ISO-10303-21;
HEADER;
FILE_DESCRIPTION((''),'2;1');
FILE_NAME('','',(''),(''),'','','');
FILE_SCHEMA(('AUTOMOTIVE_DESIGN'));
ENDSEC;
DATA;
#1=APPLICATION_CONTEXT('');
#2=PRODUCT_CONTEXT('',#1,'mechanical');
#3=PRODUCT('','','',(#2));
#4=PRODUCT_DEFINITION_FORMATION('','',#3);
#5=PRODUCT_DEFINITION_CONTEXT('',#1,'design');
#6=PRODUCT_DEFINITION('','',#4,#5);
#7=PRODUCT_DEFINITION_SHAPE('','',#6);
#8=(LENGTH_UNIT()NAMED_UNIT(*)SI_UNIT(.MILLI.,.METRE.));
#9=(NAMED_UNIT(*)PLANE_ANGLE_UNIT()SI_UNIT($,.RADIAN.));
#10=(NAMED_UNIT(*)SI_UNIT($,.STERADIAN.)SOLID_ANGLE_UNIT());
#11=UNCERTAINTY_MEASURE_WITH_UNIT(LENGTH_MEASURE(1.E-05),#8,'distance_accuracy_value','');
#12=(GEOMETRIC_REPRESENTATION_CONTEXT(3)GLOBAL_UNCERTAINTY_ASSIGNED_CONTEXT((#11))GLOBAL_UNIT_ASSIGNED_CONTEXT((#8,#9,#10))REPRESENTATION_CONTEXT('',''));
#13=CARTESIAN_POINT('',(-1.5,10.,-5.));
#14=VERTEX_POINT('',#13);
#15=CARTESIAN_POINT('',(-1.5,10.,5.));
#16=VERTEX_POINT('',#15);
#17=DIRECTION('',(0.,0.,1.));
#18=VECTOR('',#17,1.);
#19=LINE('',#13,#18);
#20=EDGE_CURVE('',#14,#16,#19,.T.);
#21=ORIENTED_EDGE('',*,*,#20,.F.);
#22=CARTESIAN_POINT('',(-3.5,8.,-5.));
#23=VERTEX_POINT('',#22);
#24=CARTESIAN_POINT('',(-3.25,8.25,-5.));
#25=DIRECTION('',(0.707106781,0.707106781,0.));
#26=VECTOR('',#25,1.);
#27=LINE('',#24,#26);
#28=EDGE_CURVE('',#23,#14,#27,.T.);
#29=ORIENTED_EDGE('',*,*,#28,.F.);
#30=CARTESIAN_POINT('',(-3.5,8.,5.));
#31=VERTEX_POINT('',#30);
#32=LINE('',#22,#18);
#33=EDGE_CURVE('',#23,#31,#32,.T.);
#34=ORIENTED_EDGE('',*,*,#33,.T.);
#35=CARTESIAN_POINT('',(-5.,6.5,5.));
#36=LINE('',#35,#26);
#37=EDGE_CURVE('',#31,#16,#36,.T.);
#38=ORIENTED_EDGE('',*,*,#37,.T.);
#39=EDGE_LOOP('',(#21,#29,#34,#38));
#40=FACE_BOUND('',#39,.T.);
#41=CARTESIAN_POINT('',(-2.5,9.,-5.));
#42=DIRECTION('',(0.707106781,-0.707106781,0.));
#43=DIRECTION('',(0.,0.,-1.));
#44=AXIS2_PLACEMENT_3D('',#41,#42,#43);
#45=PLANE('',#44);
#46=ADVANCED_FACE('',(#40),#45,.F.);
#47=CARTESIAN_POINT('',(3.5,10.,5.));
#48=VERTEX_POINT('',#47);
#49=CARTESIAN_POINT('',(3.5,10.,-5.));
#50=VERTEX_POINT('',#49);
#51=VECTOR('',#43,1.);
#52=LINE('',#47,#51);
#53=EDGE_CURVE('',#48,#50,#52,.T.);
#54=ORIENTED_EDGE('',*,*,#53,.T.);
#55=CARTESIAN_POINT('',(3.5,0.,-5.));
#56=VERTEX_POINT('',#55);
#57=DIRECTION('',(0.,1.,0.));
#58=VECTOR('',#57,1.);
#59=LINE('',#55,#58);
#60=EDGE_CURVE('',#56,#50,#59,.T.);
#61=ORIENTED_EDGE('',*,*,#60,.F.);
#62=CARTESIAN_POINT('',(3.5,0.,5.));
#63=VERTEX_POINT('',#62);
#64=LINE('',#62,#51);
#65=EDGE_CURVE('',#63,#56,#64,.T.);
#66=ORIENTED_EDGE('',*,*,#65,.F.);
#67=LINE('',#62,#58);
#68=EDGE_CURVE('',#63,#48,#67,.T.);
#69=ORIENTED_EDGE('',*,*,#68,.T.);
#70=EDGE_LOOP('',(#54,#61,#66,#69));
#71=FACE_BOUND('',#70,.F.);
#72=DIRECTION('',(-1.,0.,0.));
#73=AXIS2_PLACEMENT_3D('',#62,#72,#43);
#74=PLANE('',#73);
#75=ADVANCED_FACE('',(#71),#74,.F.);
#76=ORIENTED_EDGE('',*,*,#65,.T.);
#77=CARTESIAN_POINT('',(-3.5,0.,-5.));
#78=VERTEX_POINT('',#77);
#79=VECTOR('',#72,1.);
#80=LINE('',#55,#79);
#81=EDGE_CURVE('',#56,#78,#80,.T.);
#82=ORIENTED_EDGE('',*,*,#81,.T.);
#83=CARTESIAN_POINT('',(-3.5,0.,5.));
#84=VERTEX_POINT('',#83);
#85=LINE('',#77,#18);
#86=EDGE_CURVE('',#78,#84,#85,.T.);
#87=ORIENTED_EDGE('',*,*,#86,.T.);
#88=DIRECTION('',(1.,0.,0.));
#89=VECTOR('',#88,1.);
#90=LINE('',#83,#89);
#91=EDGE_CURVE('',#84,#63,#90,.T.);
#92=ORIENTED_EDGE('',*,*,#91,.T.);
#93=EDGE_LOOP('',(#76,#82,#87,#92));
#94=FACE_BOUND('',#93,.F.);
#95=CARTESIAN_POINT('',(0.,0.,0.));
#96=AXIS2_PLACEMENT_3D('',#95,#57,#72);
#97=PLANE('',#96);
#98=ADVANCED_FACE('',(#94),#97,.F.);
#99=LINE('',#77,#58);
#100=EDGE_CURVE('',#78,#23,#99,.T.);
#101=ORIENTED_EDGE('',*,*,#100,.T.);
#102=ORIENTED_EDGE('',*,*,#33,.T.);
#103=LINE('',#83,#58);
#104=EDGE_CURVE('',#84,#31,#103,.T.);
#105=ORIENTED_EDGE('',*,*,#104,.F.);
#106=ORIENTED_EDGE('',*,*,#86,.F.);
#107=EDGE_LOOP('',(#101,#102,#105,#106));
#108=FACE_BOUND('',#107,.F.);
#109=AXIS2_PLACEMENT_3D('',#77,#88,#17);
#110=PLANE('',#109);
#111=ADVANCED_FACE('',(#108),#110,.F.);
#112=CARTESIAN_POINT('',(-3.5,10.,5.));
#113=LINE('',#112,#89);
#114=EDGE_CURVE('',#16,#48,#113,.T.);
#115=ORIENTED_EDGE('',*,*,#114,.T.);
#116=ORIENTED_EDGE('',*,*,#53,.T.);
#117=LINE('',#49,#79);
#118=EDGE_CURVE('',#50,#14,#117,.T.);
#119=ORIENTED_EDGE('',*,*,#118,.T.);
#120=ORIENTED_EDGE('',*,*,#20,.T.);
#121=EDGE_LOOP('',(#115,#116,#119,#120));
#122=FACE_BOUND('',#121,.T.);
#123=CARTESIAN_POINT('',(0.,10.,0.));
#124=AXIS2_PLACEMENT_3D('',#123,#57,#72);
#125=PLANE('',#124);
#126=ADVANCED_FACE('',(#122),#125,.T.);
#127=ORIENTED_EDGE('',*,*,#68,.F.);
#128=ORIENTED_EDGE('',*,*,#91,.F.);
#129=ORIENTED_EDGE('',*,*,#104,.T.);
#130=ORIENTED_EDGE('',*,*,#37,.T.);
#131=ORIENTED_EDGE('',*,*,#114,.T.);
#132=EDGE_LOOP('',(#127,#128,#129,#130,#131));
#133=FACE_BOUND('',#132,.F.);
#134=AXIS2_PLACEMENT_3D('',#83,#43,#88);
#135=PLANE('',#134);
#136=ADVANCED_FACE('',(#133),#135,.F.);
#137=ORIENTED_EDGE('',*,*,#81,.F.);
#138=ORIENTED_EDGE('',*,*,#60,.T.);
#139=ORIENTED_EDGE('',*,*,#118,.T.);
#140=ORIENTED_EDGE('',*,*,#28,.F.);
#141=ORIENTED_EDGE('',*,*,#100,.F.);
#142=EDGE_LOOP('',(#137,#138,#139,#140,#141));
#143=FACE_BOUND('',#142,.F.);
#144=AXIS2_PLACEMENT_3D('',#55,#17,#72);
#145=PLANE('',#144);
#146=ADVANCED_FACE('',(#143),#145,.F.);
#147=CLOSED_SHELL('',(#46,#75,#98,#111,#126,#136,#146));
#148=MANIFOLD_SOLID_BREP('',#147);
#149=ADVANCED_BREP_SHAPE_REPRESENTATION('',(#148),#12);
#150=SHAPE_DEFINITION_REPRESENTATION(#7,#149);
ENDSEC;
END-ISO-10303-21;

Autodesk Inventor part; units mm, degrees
ref_plane "YZ Plane" through (0, 0, 0) normal (1, 0, 0) x (0, 1, 0)
ref_plane "XZ Plane" through (0, 0, 0) normal (0, 1, 0) x (-1, 0, 0)
ref_plane "XY Plane" through (0, 0, 0) normal (0, 0, 1) x (1, 0, 0)
sketch "スケッチ1" plane through (0, 0, 0) normal (0, 1, 0) x (-1, 0, 0)
  line L0 (3.5, 5) -> (-3.5, 5)
  line L1 (-3.5, 5) -> (-3.5, -5)
  line L2 (-3.5, -5) -> (3.5, -5)
  line L3 (3.5, -5) -> (3.5, 5)
  line L4 (3.5, 5) -> (-3.5, -5) construction
  line L5 (-3.5, 5) -> (3.5, -5) construction
  point P0 (0, 0)
  dimension "d0" = 10
  dimension "d1" = 7
extrude "押し出し1" add sketch "スケッチ1" along normal blind 10
chamfer "面取り1" distance 2 angle 45 1 edges at (-3.5, 10, 0)
properties part number "terminalblock"
